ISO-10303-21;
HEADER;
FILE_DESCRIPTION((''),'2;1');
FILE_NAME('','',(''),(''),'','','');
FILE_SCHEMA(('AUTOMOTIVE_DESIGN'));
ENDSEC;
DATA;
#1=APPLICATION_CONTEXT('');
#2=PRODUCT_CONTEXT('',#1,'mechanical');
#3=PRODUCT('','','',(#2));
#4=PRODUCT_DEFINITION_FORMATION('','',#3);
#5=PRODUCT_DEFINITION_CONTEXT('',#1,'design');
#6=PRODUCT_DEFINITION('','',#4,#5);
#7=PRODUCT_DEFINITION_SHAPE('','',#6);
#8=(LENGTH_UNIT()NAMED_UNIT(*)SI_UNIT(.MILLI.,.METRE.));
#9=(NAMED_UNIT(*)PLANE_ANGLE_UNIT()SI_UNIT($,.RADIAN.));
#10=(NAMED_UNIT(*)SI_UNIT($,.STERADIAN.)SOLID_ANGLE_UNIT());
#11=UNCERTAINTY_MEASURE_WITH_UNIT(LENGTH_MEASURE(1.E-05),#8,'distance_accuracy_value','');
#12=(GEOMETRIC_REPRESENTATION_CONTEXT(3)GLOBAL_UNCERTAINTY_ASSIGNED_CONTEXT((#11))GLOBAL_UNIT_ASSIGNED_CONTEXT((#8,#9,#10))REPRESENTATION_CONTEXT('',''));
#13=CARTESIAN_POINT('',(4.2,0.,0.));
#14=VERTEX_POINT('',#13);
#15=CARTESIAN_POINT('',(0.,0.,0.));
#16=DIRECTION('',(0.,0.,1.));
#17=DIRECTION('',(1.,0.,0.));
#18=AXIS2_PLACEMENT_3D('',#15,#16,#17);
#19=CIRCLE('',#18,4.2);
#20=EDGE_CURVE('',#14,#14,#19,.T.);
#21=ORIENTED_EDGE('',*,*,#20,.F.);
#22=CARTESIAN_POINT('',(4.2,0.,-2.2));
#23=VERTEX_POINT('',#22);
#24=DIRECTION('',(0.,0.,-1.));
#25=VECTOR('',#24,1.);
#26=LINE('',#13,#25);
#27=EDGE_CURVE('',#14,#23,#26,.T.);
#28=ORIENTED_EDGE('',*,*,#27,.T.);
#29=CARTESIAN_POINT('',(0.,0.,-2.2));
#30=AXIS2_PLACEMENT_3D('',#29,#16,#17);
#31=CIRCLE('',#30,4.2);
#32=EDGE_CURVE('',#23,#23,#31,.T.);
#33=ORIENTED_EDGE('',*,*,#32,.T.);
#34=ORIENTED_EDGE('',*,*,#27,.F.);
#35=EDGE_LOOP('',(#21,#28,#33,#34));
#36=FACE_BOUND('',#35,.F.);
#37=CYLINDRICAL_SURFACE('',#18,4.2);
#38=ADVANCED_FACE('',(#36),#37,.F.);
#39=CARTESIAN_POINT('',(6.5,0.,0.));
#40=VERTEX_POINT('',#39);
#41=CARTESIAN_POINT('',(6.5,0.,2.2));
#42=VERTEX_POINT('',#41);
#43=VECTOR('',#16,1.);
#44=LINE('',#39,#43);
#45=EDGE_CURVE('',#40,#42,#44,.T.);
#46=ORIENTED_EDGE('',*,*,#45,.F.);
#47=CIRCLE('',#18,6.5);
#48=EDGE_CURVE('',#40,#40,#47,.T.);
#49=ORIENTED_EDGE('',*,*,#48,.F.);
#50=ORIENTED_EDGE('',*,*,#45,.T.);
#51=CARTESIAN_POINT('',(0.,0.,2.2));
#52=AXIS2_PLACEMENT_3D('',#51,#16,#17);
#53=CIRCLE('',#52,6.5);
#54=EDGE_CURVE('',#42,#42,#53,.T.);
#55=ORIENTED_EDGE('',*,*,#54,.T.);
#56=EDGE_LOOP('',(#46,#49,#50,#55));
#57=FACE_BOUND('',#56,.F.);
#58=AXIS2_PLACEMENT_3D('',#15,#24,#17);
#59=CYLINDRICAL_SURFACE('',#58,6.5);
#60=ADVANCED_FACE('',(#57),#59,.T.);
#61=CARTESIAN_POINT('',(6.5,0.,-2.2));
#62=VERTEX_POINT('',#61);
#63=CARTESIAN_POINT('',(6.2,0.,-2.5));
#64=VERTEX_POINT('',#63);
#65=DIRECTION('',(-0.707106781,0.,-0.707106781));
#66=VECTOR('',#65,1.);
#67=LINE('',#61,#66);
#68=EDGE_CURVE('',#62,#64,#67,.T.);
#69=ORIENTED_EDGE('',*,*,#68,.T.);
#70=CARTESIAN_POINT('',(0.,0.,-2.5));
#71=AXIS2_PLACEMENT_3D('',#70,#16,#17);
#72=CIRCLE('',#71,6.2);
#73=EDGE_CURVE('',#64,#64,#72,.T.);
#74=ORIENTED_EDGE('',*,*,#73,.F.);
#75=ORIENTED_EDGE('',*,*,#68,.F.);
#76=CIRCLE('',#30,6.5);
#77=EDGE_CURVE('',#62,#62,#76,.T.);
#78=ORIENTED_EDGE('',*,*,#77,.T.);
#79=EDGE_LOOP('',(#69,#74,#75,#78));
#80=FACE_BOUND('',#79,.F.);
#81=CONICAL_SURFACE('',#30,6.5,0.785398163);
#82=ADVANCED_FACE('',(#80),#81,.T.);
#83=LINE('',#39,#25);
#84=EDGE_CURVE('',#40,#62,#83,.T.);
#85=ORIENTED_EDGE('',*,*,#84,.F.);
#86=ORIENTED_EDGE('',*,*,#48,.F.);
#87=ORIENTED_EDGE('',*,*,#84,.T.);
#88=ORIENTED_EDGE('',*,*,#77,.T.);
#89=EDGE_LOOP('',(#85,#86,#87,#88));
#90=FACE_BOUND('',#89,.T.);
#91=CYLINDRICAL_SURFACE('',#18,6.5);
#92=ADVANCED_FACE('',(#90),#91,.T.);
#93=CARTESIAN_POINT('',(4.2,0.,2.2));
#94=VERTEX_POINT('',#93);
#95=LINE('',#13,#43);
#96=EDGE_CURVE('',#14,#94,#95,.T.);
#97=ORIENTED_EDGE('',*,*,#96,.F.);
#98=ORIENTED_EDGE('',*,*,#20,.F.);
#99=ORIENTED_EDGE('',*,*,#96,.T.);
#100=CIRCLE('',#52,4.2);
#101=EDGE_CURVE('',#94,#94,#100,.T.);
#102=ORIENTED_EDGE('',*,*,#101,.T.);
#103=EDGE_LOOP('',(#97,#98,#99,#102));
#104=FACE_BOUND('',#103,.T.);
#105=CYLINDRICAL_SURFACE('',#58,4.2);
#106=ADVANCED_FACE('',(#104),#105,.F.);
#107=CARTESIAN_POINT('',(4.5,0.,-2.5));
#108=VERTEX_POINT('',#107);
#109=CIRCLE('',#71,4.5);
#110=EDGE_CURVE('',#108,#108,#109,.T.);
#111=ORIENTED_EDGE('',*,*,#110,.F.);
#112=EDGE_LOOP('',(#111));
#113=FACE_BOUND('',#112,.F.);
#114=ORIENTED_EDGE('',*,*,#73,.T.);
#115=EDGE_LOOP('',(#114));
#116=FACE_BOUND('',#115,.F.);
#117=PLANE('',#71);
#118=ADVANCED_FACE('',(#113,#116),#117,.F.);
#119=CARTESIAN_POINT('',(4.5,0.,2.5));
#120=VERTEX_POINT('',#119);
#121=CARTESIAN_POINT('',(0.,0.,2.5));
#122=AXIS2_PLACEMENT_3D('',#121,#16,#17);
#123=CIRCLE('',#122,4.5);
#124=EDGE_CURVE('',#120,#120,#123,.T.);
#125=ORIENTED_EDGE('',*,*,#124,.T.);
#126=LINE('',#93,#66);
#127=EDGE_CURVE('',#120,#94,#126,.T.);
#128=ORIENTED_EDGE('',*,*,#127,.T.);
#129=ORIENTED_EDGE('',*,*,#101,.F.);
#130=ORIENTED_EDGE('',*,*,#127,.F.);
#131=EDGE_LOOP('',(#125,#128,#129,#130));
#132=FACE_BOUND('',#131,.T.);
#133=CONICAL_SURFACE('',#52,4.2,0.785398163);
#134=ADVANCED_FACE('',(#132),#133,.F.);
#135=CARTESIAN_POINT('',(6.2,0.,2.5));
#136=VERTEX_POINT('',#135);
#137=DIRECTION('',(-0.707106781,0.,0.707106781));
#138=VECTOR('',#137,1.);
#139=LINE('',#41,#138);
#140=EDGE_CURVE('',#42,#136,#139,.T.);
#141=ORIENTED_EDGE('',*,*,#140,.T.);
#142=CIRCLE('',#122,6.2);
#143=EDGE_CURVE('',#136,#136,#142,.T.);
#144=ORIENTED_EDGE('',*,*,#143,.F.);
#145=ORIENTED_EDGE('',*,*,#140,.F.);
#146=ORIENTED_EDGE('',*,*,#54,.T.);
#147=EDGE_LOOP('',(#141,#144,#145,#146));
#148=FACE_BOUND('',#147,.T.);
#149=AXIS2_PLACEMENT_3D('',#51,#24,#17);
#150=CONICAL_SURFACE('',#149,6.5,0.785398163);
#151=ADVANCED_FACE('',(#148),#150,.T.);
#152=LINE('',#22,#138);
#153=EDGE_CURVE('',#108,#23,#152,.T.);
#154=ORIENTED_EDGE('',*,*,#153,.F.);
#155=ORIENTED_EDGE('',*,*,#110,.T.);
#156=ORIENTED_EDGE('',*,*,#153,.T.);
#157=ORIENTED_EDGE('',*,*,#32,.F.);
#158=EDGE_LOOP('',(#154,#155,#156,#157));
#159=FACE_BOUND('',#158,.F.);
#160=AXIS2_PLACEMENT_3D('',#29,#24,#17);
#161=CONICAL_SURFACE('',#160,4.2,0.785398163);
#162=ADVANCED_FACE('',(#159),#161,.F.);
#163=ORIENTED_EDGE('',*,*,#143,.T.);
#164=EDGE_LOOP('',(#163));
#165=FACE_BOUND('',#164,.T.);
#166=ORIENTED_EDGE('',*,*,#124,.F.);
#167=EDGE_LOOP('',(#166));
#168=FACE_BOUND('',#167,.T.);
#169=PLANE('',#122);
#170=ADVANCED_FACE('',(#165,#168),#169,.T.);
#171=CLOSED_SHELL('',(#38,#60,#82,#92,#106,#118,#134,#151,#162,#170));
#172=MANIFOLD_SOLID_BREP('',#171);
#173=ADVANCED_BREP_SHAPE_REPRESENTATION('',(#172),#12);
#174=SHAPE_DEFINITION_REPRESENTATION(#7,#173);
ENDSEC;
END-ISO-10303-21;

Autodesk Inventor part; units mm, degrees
ref_plane "YZ Plane" through (0, 0, 0) normal (1, 0, 0) x (0, 1, 0)
ref_plane "XZ Plane" through (0, 0, 0) normal (0, 1, 0) x (-1, 0, 0)
ref_plane "XY Plane" through (0, 0, 0) normal (0, 0, 1) x (1, 0, 0)
sketch "スケッチ1" plane through (0, 0, 0) normal (0, 0, 1) x (1, 0, 0)
  circle A0 centre (0, 0) radius 4.2
  circle A1 centre (0, 0) radius 6.5
  dimension "d0" = 8.4
  dimension "d1" = 13
extrude "押し出し1" add sketch "スケッチ1" along normal mid plane 5
chamfer "面取り1" distance 0.3 angle 45 4 edges at (-6.5, 0, 2.5) (-4.2, 0, 2.5) (-6.5, 0, -2.5) (-4.2, 0, -2.5)
properties part number "spacer3" material "ABS プラスチック"
